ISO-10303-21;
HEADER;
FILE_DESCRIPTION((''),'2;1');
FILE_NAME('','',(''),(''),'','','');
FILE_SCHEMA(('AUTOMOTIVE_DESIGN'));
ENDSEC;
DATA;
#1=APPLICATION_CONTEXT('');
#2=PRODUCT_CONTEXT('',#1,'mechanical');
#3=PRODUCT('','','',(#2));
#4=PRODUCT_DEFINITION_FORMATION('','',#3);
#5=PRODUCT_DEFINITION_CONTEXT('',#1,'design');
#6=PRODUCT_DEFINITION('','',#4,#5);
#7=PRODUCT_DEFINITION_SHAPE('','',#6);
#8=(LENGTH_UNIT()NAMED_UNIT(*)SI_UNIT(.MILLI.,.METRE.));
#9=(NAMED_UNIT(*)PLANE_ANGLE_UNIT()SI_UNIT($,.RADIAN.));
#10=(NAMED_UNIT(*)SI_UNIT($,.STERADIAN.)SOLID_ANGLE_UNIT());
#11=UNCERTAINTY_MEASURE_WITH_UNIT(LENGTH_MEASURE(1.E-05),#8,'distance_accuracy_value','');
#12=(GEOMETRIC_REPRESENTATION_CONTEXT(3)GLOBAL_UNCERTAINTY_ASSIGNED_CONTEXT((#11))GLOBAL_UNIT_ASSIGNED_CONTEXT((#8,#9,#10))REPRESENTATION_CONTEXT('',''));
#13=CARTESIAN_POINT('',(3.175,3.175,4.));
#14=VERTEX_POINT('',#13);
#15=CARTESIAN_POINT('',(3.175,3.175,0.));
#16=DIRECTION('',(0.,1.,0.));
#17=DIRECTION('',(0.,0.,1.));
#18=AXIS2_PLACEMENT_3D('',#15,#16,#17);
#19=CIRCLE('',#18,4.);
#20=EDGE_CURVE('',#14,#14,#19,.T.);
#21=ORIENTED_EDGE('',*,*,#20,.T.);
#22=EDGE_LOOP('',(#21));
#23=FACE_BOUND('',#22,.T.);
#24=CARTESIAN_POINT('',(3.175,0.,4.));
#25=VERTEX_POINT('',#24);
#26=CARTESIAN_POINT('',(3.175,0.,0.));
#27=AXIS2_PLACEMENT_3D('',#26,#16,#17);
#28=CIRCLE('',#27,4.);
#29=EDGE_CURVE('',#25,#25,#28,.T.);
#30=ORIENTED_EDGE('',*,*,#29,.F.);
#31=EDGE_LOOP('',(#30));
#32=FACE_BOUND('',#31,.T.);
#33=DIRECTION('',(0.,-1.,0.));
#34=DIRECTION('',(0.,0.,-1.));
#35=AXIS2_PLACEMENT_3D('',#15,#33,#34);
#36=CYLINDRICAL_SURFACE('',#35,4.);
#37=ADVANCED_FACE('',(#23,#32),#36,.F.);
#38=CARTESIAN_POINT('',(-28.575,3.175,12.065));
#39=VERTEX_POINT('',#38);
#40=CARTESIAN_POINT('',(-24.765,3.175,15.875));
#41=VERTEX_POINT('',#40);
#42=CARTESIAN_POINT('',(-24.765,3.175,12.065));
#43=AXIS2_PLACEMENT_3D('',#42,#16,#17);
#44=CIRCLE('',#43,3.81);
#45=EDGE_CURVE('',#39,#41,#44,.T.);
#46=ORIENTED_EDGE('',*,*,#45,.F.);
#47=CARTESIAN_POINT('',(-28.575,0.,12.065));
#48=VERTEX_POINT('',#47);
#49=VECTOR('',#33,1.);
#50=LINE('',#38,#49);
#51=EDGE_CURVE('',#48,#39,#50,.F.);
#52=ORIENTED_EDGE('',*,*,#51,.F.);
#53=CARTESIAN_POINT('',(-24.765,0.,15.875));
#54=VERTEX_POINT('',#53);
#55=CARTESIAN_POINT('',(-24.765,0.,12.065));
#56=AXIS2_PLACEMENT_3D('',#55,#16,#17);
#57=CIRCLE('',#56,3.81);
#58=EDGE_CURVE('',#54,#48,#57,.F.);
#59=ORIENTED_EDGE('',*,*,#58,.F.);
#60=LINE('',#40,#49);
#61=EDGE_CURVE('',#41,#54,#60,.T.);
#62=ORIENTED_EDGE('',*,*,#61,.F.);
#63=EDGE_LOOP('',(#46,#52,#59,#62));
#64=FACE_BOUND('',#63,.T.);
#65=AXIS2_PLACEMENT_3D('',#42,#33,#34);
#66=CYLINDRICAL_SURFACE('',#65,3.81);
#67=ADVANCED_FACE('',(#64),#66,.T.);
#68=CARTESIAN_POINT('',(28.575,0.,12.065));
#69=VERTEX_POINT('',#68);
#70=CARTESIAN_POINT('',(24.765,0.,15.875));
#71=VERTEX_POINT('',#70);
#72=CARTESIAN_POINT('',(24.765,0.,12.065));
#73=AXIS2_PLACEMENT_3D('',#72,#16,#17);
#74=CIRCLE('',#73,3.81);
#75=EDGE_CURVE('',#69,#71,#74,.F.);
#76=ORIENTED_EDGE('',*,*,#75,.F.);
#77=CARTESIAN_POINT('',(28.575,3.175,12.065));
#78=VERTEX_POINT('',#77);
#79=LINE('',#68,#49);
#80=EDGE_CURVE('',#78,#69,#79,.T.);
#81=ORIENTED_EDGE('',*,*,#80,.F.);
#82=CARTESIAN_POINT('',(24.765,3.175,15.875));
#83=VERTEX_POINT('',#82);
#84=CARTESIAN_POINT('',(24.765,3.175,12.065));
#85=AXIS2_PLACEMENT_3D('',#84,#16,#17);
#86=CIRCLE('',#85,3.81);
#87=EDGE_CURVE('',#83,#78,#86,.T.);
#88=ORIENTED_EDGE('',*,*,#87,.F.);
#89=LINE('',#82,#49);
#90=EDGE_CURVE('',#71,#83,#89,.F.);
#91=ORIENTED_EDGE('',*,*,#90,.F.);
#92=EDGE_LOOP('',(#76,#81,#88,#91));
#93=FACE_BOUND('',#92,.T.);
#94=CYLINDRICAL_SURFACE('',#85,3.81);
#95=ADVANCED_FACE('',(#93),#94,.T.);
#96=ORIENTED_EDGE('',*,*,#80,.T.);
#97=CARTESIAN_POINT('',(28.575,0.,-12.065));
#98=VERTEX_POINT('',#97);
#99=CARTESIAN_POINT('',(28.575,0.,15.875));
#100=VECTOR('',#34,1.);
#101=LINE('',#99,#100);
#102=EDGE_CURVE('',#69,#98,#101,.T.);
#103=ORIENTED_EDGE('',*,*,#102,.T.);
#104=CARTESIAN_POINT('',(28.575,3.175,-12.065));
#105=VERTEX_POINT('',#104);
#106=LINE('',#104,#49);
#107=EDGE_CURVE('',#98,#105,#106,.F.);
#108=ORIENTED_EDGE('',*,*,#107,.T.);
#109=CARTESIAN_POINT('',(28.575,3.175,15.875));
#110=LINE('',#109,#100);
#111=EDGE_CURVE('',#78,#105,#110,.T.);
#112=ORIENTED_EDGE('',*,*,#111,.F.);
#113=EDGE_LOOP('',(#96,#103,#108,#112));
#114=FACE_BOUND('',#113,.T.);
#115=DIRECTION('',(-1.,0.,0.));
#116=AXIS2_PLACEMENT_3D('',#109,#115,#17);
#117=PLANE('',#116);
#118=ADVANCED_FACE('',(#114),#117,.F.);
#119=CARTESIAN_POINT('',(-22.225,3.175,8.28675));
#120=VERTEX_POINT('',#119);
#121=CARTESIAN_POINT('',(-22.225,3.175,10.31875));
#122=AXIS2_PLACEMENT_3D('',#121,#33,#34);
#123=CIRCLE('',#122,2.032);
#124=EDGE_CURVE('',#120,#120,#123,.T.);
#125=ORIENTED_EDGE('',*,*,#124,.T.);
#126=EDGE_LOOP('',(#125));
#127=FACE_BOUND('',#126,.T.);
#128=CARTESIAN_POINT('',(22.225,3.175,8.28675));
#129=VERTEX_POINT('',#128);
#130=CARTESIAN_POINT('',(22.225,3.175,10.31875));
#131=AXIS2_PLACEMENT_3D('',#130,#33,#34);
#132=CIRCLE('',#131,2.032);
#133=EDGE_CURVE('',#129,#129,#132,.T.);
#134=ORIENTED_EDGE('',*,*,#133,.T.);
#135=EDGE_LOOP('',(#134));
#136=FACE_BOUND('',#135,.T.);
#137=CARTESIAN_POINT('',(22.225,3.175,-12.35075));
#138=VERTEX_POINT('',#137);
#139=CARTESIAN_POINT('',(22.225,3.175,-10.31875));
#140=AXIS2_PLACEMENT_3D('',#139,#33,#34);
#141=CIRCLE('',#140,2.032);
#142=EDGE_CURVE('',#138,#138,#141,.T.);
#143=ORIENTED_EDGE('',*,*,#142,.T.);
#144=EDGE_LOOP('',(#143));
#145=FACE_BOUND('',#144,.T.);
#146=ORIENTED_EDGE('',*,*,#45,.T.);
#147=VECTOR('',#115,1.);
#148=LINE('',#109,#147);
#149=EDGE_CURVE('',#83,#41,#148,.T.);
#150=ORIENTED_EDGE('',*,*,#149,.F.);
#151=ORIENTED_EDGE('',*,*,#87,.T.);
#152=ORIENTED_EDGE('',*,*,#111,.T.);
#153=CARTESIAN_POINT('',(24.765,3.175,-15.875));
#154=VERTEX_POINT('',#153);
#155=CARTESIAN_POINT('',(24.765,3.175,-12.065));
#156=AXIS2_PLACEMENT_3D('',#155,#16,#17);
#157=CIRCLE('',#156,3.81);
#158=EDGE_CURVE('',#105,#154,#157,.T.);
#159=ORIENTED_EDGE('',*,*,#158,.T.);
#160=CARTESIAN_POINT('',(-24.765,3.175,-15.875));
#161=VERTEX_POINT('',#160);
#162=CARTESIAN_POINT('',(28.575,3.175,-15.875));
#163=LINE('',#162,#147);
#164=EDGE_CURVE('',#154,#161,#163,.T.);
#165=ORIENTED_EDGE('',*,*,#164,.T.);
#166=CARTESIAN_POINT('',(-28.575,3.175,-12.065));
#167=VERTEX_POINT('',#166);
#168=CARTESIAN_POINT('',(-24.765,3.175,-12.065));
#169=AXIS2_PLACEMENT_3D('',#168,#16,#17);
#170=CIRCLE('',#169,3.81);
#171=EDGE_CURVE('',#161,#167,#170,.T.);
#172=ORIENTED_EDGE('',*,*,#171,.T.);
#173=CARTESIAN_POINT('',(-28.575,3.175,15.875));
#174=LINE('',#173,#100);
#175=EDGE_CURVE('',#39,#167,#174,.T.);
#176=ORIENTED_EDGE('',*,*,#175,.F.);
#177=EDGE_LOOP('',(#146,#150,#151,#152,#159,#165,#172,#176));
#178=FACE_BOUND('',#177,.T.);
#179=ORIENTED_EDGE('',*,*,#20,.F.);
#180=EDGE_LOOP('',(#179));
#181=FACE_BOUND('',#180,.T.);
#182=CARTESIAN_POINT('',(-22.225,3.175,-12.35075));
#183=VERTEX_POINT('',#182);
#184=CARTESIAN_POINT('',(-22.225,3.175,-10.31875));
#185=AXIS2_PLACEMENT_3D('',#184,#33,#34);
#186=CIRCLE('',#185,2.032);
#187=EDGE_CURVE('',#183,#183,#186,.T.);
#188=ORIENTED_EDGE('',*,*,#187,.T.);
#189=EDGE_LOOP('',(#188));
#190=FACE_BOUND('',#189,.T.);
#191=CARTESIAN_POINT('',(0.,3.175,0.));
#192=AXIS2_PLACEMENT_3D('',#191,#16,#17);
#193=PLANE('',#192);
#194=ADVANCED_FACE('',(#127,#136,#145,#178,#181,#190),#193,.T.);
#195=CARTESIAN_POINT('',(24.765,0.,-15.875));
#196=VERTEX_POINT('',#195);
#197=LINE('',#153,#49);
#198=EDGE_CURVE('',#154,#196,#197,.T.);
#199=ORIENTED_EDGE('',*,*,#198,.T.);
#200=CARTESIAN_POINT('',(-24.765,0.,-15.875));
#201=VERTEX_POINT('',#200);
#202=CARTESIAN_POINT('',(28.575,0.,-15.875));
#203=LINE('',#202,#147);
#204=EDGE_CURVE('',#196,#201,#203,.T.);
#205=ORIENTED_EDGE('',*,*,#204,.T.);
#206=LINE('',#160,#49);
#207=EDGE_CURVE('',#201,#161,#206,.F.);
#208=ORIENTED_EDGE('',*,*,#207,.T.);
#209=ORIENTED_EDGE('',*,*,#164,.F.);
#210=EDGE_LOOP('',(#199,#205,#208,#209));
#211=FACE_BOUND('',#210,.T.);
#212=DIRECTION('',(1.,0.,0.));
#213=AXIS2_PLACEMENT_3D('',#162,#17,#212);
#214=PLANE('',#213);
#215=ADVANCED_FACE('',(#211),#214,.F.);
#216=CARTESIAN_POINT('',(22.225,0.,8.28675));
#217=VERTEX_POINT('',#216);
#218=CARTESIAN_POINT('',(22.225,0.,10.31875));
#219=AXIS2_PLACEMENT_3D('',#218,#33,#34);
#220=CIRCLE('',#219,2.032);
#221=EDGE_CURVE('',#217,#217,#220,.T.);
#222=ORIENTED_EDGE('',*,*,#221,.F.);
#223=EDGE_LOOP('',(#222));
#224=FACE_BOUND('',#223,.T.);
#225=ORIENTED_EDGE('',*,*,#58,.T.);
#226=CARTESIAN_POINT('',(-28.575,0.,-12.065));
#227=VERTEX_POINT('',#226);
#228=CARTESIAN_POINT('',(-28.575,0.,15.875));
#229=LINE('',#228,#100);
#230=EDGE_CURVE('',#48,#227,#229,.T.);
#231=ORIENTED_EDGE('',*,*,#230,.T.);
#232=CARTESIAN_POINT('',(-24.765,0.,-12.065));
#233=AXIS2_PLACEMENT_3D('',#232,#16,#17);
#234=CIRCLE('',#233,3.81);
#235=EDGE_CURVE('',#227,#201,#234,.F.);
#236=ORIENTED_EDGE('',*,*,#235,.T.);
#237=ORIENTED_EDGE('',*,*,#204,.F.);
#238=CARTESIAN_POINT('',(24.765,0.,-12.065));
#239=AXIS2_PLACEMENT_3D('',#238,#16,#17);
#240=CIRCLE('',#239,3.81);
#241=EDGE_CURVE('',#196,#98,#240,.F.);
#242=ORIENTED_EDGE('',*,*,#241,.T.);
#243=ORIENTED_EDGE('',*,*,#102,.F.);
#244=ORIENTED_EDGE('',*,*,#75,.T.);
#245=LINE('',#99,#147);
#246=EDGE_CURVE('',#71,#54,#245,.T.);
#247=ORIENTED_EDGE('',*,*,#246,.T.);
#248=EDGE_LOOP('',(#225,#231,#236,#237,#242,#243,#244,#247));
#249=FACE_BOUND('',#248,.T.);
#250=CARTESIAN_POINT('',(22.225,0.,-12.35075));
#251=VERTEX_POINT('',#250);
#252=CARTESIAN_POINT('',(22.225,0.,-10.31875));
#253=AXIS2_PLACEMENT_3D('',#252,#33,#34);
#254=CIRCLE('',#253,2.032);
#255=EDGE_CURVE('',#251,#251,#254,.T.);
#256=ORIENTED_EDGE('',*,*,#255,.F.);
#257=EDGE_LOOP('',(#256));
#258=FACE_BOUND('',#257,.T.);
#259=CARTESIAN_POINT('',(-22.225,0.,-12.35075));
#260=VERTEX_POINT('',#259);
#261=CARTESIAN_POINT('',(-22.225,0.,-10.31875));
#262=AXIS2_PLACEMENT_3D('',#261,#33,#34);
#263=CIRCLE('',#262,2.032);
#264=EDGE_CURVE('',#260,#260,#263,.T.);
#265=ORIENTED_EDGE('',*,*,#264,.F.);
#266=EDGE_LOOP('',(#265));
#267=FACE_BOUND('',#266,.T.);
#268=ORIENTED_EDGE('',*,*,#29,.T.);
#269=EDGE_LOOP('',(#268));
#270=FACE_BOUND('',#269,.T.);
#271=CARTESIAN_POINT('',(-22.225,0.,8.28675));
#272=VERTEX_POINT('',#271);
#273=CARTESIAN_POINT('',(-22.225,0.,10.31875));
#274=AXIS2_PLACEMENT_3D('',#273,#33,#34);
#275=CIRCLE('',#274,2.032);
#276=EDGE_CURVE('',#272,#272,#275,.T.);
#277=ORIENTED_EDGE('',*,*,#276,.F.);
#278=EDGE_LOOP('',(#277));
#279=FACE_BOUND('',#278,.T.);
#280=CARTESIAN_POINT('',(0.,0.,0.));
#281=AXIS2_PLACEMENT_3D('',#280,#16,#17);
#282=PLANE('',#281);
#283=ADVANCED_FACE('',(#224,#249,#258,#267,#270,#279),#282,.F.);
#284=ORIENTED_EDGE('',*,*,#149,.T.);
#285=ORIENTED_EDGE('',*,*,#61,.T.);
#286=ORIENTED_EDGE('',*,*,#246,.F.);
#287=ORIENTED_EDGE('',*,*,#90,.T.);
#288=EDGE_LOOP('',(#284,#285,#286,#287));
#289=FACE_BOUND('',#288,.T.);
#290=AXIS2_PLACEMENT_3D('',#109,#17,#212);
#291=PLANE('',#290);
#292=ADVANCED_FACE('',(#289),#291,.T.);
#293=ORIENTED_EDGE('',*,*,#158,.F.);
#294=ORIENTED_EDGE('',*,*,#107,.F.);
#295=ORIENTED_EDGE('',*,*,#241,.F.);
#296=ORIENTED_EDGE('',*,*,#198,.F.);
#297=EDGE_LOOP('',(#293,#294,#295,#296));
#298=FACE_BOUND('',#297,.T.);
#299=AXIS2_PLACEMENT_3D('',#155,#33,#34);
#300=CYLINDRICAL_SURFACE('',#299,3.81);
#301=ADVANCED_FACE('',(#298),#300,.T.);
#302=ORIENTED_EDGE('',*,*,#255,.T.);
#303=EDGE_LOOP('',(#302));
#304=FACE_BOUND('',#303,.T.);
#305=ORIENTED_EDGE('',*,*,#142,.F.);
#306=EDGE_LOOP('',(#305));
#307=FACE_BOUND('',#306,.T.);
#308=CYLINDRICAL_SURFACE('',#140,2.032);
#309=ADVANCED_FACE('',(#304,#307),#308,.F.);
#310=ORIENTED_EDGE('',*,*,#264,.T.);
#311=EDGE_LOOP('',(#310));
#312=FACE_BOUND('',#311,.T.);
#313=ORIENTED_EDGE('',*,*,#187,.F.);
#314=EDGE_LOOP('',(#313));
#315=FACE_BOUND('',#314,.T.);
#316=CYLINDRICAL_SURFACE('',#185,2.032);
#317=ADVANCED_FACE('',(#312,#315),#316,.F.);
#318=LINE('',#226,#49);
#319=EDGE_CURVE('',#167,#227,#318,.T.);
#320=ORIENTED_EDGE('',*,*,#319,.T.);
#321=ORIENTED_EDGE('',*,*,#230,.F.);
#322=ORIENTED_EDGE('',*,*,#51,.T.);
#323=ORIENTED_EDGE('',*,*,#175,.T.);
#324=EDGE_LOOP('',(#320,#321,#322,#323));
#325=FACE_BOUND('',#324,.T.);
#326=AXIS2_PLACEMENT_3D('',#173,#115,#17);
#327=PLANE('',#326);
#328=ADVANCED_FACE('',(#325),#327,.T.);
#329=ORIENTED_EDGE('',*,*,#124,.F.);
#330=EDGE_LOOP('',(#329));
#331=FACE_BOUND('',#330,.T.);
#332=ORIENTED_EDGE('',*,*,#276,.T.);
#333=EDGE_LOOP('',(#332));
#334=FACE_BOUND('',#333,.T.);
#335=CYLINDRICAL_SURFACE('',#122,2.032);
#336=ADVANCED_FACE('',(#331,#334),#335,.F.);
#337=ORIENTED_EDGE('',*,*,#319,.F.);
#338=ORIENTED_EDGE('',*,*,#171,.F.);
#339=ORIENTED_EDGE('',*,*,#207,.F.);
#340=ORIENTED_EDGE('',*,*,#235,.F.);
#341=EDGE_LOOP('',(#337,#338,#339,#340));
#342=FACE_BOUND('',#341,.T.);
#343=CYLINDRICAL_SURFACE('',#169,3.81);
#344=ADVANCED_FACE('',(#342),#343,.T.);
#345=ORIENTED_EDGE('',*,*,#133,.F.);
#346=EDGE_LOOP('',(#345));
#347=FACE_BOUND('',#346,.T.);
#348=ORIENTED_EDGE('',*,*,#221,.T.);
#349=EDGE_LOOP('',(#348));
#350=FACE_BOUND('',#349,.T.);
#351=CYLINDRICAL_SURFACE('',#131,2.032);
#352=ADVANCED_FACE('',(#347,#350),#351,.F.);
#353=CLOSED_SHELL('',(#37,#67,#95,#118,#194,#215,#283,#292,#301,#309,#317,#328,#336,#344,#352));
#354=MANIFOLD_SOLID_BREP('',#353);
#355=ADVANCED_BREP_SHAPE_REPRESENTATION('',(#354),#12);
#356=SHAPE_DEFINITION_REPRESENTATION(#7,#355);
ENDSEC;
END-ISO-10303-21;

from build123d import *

# Parameters (mm, degrees)
SKETCH1_W           = 57.15
SKETCH1_H           = 31.75
SKETCH1_R           = 4
BOSS_EXTRUDE1_DEPTH = 3.175
FILLET1_R           = 3.81
SKETCH2_R           = 2.032
CUT_EXTRUDE1_DEPTH  = 33.842455374


with BuildPart() as part:
    # Sketch1 → Boss-Extrude1 (new body)
    with BuildSketch(Plane(origin=(0, 0, 0), x_dir=(1, 0, 0), z_dir=(0, 1, 0))):
        Rectangle(SKETCH1_W, SKETCH1_H)
        with Locations(Location((3.175, 0, 0), (0, 0, 270))):
            Circle(SKETCH1_R, mode=Mode.SUBTRACT)
    extrude(amount=BOSS_EXTRUDE1_DEPTH)

    # Fillet1
    fillet1_edges = [part.edges().sort_by_distance(p)[0] for p in [
        (28.575, 1.5875, 15.875),
        (-28.575, 1.5875, 15.875),
        (-28.575, 1.5875, -15.875),
        (28.575, 1.5875, -15.875),
    ]]
    fillet(fillet1_edges, radius=FILLET1_R)

    # Sketch2 → Cut-Extrude1 (cut, through all)
    with BuildSketch(Plane.XZ):
        with Locations(Location((22.225, -10.31875, 0), (0, 0, 270))):
            Circle(SKETCH2_R)
        with Locations(Location((22.225, 10.31875, 0), (0, 0, 270))):
            Circle(SKETCH2_R)
        with Locations(Location((-22.225, -10.31875, 0), (0, 0, 270))):
            Circle(SKETCH2_R)
        with Locations(Location((-22.225, 10.31875, 0), (0, 0, 270))):
            Circle(SKETCH2_R)
    extrude(amount=-CUT_EXTRUDE1_DEPTH, mode=Mode.SUBTRACT)


solid = part.part
